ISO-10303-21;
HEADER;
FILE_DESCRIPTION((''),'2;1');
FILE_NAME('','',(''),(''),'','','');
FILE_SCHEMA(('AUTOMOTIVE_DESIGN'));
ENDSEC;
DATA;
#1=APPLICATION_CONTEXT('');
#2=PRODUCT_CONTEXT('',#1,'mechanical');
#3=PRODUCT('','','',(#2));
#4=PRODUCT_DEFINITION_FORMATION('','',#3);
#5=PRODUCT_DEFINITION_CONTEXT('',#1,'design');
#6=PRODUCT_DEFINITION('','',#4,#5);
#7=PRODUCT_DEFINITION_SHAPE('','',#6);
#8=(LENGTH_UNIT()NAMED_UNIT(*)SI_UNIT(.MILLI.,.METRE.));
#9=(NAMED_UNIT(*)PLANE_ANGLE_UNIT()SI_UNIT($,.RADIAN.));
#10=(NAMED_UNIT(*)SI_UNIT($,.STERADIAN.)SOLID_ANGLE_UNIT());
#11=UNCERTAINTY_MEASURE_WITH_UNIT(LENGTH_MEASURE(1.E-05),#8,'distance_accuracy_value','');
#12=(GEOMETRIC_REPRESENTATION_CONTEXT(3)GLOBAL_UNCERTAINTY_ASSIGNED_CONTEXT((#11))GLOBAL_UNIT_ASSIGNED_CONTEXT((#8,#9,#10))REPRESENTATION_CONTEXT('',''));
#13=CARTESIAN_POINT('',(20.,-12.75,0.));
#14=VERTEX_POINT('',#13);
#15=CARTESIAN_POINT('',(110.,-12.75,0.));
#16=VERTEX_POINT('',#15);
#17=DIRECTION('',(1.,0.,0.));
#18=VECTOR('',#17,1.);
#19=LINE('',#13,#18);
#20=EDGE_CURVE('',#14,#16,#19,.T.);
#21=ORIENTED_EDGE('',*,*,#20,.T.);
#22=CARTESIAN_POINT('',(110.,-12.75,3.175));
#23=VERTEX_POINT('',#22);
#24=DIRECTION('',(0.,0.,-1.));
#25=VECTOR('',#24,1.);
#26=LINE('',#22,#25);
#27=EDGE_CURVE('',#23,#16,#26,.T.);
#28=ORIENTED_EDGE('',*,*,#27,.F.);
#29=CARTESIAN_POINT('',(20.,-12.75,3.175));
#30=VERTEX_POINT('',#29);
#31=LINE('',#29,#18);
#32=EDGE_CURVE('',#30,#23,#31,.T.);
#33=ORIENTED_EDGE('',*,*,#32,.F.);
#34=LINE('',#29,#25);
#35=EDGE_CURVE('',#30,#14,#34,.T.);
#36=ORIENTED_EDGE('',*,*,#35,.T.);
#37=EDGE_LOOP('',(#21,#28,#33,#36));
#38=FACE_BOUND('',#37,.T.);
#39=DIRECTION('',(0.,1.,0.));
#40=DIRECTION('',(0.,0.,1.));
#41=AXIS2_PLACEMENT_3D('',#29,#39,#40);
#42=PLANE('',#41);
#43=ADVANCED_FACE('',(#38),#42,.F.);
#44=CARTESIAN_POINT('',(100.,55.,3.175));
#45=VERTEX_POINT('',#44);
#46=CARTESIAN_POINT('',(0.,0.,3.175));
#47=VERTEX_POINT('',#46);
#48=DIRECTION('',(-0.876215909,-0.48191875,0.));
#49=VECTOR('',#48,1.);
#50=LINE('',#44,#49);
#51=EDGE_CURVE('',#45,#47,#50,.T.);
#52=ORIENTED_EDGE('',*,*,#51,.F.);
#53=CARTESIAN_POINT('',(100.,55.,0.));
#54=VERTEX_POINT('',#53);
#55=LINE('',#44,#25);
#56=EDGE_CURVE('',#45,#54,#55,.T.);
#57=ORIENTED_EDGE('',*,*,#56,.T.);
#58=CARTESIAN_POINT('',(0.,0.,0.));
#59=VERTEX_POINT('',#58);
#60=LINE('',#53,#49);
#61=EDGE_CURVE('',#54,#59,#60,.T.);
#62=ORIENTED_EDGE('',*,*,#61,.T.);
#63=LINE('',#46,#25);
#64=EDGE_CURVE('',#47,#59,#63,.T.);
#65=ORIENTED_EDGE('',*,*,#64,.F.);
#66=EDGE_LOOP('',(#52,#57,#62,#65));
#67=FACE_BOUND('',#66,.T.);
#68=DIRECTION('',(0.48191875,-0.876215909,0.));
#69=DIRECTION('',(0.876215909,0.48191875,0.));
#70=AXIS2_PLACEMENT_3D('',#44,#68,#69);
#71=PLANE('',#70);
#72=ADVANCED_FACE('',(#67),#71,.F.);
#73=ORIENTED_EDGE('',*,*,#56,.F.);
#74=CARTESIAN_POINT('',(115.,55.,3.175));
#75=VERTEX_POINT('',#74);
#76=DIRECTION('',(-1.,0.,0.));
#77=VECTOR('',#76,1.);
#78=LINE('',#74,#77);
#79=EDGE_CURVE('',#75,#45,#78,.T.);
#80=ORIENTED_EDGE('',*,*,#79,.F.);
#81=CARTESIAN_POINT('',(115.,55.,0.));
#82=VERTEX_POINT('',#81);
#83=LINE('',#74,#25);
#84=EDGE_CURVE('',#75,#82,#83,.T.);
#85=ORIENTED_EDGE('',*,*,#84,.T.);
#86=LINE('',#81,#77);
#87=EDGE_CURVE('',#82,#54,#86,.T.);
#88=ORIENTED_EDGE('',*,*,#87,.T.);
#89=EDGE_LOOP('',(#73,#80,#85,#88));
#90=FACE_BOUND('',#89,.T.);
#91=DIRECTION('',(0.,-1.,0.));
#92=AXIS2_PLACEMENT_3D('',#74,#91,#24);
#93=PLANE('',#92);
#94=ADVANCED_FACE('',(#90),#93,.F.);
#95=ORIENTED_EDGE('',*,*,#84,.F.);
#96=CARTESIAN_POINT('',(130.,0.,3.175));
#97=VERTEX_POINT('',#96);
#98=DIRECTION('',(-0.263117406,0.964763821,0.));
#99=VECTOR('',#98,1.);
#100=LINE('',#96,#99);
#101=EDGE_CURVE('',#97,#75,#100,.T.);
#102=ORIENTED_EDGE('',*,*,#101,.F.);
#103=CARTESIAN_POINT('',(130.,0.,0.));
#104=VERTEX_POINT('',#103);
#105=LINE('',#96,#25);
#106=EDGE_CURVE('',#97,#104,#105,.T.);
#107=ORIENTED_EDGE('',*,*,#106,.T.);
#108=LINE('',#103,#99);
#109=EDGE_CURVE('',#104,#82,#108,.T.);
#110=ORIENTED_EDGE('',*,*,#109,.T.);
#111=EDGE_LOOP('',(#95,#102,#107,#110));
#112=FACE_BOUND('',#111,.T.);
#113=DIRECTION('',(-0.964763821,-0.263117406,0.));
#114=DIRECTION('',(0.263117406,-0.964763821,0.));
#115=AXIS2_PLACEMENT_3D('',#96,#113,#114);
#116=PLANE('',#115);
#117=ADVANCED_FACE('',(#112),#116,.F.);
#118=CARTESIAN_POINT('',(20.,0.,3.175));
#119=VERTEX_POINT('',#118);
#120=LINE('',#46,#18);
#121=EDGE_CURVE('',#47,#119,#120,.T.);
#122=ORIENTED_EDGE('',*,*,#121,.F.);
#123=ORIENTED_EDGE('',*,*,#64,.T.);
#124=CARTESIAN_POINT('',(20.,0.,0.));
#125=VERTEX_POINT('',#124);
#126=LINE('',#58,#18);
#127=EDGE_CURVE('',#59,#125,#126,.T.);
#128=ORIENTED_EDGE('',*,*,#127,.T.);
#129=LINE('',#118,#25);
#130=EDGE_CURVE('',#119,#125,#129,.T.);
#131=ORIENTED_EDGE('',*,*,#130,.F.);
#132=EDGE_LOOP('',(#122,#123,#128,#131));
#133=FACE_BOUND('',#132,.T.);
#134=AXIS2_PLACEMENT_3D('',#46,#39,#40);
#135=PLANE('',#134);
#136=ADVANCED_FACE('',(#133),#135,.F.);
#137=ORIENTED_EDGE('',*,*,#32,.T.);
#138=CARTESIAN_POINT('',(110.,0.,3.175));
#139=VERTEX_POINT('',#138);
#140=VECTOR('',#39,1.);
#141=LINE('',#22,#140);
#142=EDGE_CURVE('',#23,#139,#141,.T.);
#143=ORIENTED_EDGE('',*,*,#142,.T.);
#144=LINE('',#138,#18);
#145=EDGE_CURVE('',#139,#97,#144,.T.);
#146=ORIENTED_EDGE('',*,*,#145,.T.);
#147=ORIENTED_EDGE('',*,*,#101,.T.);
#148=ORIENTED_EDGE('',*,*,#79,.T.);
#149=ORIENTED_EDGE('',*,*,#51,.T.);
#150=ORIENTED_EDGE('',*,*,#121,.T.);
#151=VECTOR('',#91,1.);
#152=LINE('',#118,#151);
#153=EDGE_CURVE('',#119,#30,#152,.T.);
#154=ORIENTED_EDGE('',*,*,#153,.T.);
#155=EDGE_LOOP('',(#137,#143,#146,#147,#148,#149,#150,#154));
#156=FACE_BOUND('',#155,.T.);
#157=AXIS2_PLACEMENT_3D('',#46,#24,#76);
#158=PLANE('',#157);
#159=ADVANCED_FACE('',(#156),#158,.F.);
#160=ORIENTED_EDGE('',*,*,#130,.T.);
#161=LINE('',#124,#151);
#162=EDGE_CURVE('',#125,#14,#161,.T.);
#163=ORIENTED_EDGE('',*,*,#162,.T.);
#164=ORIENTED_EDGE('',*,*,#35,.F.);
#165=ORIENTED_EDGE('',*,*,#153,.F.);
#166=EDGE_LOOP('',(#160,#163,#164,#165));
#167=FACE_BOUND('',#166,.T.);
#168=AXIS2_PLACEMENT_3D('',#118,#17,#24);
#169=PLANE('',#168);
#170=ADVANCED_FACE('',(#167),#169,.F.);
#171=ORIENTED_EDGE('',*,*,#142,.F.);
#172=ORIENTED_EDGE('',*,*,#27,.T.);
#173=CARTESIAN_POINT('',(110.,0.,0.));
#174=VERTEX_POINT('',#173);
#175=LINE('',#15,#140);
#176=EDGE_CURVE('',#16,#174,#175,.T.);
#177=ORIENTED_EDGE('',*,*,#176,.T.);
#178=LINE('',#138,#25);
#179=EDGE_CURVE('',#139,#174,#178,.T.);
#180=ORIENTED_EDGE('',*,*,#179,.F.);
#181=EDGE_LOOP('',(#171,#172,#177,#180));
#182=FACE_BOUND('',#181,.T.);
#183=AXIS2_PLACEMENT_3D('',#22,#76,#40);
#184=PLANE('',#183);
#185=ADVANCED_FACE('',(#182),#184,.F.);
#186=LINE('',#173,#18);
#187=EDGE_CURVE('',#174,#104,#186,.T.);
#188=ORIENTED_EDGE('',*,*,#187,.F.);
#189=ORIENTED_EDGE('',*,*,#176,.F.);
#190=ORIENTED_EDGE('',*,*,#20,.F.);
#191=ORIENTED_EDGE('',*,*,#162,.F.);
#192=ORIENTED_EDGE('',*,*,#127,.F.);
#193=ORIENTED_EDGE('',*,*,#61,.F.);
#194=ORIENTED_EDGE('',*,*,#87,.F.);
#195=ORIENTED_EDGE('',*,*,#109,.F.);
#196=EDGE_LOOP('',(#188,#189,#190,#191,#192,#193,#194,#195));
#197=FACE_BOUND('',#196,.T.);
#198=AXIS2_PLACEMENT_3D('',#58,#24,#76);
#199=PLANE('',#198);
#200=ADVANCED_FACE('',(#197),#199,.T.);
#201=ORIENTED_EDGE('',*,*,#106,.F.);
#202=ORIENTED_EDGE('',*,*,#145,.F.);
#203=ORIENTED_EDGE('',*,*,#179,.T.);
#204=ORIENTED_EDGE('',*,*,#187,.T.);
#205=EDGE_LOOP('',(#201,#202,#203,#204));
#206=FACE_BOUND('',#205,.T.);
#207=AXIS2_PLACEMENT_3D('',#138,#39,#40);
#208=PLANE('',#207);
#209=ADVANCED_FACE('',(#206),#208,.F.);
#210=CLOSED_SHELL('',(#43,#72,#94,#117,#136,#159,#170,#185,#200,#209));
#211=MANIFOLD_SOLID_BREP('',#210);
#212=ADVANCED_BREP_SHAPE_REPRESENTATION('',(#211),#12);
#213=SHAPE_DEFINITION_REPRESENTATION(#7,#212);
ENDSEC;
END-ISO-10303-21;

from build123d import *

# Parameters (mm, degrees)
BOSS_EXTRUDE1_DEPTH = 3.175


with BuildPart() as part:
    # Sketch1 → Boss-Extrude1 (new body)
    with BuildSketch(Plane.XY):
        Polygon((0, 0), (20, 0), (20, -12.75), (110, -12.75), (110, 0), (130, 0), (115, 55), (100, 55), align=None)
    extrude(amount=BOSS_EXTRUDE1_DEPTH)


solid = part.part
